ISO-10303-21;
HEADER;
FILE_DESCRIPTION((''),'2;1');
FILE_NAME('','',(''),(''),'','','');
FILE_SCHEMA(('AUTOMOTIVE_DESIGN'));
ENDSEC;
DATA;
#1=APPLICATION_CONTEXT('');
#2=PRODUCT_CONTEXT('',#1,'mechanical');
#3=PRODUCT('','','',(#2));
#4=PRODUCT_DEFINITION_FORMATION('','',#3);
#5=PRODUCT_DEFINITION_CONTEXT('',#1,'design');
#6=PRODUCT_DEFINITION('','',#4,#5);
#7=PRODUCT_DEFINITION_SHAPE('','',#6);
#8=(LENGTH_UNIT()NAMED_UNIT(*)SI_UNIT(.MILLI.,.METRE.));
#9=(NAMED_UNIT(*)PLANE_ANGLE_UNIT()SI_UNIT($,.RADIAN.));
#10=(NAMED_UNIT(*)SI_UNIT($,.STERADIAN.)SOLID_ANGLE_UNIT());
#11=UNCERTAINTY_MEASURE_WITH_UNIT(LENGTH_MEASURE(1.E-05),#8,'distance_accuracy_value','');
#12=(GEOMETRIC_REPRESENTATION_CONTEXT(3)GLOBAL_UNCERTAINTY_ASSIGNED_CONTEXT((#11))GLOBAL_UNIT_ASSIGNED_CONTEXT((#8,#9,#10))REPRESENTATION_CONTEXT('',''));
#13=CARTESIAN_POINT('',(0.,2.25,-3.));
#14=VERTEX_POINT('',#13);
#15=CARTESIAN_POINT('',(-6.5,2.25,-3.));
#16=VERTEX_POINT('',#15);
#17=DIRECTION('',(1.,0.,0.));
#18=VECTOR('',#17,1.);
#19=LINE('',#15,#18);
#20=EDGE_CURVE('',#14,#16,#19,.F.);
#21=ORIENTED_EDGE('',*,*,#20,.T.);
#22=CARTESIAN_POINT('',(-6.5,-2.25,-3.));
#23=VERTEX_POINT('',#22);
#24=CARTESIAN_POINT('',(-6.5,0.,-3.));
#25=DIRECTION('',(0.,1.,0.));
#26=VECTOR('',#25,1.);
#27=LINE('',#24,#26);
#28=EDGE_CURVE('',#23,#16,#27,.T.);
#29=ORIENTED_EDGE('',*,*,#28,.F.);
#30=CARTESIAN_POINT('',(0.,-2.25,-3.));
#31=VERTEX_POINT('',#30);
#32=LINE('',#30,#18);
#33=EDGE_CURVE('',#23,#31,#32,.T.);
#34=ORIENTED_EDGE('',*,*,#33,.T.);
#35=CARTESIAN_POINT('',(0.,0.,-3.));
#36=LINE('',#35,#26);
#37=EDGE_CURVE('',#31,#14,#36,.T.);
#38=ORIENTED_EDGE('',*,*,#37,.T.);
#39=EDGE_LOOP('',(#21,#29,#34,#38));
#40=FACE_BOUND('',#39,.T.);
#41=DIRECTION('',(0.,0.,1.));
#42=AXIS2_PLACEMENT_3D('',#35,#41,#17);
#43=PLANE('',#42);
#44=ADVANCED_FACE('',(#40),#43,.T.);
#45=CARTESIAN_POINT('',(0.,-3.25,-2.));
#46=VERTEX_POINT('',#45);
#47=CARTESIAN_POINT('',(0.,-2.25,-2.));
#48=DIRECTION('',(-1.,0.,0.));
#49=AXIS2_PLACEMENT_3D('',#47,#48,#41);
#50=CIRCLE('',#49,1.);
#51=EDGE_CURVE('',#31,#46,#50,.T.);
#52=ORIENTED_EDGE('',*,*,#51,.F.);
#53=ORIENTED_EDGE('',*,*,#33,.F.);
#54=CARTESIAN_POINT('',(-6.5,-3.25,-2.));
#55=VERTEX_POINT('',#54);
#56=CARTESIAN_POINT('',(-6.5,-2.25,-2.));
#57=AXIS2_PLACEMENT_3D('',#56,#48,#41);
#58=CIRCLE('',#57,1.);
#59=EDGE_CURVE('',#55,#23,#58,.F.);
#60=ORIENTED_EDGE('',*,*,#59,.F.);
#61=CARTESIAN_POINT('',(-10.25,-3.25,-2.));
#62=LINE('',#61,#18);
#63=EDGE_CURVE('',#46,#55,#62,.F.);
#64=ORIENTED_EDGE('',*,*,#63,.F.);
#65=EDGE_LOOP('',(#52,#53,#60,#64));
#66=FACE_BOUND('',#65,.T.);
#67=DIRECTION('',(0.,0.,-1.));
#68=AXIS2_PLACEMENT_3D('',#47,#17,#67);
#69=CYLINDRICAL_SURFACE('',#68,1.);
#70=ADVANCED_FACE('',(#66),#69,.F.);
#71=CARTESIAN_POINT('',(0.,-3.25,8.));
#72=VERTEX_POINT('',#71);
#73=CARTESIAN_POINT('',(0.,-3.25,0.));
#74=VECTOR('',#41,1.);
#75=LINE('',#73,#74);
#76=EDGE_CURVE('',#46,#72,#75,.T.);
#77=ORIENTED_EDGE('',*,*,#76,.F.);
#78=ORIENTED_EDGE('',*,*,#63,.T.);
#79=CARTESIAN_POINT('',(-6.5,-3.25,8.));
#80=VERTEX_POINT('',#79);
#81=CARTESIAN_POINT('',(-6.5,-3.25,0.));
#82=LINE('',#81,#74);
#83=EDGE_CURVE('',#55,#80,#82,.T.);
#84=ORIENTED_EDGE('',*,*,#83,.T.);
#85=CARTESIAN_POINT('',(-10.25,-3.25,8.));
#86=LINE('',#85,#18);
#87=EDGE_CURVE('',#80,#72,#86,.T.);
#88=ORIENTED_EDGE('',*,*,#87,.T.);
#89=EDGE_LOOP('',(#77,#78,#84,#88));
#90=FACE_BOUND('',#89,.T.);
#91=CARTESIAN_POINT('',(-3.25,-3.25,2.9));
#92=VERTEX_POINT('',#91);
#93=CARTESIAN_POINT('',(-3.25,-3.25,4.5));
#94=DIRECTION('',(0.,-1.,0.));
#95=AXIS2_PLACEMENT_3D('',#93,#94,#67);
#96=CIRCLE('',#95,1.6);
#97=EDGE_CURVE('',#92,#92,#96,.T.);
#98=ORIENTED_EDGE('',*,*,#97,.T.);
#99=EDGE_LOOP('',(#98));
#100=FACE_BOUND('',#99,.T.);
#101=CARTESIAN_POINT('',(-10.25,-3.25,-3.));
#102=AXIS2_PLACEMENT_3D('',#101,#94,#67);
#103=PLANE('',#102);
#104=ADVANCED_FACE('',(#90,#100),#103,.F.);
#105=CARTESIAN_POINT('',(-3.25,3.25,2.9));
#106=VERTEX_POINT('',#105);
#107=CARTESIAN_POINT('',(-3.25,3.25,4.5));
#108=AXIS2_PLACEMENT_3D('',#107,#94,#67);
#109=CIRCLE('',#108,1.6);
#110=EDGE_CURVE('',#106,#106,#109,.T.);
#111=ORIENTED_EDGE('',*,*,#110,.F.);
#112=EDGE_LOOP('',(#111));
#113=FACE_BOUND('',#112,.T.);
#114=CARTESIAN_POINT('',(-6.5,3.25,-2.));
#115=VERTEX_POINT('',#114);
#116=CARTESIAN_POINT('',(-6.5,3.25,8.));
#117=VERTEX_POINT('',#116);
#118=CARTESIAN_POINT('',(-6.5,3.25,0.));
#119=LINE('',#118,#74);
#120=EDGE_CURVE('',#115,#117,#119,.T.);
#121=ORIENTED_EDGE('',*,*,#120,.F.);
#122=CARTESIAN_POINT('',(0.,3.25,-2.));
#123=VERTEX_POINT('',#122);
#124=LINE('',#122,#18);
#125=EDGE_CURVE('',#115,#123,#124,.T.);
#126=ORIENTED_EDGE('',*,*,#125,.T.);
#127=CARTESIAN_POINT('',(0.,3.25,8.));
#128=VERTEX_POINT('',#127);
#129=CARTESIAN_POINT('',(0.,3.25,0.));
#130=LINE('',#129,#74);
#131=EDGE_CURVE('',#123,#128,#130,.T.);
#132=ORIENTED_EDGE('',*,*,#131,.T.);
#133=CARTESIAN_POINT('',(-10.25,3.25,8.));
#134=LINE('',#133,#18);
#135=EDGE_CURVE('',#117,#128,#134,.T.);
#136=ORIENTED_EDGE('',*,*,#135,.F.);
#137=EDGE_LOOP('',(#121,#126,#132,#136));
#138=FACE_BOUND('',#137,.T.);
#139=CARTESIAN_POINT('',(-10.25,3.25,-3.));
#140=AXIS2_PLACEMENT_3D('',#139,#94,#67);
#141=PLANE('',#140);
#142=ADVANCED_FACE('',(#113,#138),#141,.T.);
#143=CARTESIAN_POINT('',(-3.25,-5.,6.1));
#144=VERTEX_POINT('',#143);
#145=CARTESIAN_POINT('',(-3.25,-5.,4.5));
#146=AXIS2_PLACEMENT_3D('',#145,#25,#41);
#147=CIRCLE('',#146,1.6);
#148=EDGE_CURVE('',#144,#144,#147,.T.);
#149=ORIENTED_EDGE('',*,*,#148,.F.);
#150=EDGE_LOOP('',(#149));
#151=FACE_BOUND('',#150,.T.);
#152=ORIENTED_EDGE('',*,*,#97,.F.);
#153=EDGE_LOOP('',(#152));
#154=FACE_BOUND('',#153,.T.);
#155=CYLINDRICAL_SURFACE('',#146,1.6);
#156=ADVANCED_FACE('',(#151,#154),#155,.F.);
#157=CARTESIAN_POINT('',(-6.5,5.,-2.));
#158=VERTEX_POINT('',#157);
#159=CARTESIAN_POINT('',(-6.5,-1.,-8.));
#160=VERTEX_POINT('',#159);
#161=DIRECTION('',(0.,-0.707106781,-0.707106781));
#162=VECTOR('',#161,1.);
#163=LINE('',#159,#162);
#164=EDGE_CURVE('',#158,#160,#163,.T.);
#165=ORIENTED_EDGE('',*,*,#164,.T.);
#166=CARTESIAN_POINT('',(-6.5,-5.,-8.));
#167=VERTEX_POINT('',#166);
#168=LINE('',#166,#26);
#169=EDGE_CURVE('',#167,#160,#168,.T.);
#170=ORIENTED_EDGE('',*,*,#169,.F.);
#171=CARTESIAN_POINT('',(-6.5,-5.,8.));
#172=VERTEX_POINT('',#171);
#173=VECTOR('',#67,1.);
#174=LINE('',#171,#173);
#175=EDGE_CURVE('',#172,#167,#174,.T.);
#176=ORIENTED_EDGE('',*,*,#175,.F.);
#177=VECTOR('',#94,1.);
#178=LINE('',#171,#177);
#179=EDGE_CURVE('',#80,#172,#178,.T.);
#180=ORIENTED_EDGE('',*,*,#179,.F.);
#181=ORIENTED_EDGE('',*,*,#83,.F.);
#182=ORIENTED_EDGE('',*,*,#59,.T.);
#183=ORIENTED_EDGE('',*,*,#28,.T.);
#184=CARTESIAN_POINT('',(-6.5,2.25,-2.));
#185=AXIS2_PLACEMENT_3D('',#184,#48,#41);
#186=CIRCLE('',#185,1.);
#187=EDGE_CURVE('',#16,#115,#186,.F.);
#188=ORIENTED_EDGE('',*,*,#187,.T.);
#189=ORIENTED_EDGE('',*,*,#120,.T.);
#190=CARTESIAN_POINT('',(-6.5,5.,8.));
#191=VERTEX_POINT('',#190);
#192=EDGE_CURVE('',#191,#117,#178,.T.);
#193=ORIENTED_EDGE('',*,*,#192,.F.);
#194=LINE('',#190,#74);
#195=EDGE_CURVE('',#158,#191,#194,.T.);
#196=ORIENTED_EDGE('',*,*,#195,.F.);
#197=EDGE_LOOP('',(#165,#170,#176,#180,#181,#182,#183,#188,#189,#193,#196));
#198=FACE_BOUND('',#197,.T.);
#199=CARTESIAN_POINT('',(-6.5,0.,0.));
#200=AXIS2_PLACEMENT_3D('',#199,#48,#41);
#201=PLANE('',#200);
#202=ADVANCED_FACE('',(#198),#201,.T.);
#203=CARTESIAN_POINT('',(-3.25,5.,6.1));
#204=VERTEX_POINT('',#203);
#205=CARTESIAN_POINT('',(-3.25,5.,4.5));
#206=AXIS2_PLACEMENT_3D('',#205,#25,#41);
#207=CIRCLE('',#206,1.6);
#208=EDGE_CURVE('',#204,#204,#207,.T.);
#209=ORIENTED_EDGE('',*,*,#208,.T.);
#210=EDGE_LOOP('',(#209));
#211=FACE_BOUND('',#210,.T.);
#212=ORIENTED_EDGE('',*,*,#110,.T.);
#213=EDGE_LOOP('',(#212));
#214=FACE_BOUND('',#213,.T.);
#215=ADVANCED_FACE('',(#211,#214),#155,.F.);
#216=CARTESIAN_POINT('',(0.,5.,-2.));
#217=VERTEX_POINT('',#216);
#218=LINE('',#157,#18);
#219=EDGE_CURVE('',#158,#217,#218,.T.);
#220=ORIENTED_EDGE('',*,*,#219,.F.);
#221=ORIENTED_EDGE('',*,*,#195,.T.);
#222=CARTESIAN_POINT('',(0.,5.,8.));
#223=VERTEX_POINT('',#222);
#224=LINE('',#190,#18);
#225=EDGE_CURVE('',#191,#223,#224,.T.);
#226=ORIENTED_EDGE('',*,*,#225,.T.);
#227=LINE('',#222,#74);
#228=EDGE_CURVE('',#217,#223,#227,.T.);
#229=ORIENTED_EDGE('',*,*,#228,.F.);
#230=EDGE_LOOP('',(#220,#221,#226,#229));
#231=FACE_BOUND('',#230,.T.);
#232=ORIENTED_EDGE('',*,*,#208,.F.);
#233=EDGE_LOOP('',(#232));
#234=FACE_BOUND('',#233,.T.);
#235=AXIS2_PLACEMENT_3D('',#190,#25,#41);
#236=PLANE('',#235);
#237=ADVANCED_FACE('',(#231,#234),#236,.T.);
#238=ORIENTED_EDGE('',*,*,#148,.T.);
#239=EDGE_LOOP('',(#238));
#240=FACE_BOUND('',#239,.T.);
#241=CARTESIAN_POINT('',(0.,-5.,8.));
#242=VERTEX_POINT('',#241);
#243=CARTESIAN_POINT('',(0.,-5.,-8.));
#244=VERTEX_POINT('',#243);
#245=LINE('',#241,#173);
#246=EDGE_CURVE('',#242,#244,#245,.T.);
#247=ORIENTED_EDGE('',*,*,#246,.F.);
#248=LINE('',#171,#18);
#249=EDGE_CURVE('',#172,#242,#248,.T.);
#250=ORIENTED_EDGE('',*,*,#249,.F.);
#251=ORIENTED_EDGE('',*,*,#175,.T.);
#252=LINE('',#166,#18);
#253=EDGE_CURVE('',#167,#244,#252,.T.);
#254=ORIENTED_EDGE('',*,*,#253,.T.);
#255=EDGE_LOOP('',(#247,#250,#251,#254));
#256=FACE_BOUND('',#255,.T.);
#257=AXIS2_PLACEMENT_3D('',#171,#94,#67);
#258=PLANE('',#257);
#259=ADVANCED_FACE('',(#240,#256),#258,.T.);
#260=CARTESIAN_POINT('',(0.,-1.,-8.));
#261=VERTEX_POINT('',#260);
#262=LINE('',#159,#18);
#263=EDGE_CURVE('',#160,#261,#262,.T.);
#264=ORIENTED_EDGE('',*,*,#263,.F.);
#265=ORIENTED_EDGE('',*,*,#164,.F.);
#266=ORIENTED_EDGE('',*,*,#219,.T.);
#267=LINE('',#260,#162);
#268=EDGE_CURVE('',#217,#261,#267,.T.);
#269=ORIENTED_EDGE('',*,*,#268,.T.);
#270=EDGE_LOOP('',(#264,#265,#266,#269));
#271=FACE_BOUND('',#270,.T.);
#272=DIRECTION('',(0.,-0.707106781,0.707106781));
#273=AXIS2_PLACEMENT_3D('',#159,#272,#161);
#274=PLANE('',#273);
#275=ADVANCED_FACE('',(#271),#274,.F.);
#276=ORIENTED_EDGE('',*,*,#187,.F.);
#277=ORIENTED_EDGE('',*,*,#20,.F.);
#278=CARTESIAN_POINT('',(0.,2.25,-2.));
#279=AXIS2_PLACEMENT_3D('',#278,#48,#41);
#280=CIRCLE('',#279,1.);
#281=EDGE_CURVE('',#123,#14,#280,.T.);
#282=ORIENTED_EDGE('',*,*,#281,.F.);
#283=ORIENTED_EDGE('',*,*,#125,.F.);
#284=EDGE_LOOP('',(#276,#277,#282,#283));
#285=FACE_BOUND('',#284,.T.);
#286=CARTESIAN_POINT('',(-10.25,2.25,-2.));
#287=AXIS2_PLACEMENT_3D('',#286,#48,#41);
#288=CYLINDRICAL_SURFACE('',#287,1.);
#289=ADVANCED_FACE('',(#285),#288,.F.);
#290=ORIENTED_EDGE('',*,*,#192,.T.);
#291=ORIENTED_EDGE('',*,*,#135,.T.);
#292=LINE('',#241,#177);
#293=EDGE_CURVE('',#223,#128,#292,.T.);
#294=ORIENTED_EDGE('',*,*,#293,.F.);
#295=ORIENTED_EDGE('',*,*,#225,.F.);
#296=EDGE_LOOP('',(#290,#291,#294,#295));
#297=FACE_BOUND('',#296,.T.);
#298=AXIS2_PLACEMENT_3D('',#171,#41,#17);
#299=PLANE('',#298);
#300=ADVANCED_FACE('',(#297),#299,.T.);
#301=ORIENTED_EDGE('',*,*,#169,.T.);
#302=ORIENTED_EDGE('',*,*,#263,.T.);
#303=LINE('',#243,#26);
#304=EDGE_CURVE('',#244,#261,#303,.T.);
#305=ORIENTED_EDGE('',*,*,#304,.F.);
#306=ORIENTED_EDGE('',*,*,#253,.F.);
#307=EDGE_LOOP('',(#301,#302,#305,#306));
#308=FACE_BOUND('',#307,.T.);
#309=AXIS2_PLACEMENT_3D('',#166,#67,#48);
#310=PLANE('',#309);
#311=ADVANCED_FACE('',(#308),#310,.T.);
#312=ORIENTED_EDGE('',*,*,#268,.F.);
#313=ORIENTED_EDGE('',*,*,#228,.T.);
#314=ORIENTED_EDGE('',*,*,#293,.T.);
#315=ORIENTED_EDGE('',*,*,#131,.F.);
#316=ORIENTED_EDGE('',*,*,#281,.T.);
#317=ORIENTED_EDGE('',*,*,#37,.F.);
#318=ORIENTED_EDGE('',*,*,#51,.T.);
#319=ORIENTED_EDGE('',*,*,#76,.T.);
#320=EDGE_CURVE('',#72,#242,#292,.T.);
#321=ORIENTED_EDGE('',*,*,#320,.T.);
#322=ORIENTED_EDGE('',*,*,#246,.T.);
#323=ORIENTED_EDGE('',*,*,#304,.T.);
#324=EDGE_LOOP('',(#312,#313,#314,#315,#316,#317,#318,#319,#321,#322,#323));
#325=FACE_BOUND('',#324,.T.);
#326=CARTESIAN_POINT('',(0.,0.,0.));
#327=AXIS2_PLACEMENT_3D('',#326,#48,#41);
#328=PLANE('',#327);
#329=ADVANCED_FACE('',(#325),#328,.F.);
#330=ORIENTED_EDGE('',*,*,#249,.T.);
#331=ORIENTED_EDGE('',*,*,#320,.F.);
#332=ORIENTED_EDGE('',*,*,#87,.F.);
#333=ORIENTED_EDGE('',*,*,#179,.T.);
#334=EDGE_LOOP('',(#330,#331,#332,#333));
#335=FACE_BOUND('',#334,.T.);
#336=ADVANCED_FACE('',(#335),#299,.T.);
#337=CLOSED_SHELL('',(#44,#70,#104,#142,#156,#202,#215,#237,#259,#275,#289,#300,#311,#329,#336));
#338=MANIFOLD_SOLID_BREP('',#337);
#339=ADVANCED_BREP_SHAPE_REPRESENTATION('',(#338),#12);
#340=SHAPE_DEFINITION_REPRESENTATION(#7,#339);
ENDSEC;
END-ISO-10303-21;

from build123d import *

# Parameters (mm, degrees)
SKETCH1_W           = 16
SKETCH1_H           = 10
BOSS_EXTRUDE1_DEPTH = 6.5
CUT_EXTRUDE1_DEPTH  = 12.456439237
SKETCH3_W           = 14
SKETCH3_H           = 6.5
CUT_EXTRUDE2_DEPTH  = 11
SKETCH4_R           = 1.6
CUT_EXTRUDE3_DEPTH  = 15.361406616
FILLET1_R           = 1


with BuildPart() as part:
    # Sketch1 → Boss-Extrude1 (new body)
    with BuildSketch(Plane(origin=(0, 0, 0), x_dir=(0, 0, -1), z_dir=(1, 0, 0))):
        Rectangle(SKETCH1_W, SKETCH1_H)
    extrude(amount=-BOSS_EXTRUDE1_DEPTH)

    # Sketch2 → Cut-Extrude1 (cut, through all)
    with BuildSketch(Plane(origin=(0, 0, 0), x_dir=(0, 0, -1), z_dir=(1, 0, 0))):
        Polygon((8, -1), (2, 5), (8, 5), align=None)
    extrude(amount=-CUT_EXTRUDE1_DEPTH, mode=Mode.SUBTRACT)

    # Sketch3 → Cut-Extrude2 (cut)
    with BuildSketch(Plane.XY.offset(8)):
        with Locations((-3.25, 0)):
            Rectangle(SKETCH3_W, SKETCH3_H)
    extrude(amount=-CUT_EXTRUDE2_DEPTH, mode=Mode.SUBTRACT)

    # Sketch4 → Cut-Extrude3 (cut, through all)
    with BuildSketch(Plane(origin=(0, 5, 0), x_dir=(1, 0, 0), z_dir=(0, 1, 0))):
        with Locations(Location((-3.25, -4.5, 0), (0, 0, 270))):
            Circle(SKETCH4_R)
    extrude(amount=-CUT_EXTRUDE3_DEPTH, mode=Mode.SUBTRACT)

    # Fillet1
    fillet1_edges = [part.edges().sort_by_distance(p)[0] for p in [
        (-3.25, -3.25, -3),
        (-3.25, 3.25, -3),
    ]]
    fillet(fillet1_edges, radius=FILLET1_R)


solid = part.part
